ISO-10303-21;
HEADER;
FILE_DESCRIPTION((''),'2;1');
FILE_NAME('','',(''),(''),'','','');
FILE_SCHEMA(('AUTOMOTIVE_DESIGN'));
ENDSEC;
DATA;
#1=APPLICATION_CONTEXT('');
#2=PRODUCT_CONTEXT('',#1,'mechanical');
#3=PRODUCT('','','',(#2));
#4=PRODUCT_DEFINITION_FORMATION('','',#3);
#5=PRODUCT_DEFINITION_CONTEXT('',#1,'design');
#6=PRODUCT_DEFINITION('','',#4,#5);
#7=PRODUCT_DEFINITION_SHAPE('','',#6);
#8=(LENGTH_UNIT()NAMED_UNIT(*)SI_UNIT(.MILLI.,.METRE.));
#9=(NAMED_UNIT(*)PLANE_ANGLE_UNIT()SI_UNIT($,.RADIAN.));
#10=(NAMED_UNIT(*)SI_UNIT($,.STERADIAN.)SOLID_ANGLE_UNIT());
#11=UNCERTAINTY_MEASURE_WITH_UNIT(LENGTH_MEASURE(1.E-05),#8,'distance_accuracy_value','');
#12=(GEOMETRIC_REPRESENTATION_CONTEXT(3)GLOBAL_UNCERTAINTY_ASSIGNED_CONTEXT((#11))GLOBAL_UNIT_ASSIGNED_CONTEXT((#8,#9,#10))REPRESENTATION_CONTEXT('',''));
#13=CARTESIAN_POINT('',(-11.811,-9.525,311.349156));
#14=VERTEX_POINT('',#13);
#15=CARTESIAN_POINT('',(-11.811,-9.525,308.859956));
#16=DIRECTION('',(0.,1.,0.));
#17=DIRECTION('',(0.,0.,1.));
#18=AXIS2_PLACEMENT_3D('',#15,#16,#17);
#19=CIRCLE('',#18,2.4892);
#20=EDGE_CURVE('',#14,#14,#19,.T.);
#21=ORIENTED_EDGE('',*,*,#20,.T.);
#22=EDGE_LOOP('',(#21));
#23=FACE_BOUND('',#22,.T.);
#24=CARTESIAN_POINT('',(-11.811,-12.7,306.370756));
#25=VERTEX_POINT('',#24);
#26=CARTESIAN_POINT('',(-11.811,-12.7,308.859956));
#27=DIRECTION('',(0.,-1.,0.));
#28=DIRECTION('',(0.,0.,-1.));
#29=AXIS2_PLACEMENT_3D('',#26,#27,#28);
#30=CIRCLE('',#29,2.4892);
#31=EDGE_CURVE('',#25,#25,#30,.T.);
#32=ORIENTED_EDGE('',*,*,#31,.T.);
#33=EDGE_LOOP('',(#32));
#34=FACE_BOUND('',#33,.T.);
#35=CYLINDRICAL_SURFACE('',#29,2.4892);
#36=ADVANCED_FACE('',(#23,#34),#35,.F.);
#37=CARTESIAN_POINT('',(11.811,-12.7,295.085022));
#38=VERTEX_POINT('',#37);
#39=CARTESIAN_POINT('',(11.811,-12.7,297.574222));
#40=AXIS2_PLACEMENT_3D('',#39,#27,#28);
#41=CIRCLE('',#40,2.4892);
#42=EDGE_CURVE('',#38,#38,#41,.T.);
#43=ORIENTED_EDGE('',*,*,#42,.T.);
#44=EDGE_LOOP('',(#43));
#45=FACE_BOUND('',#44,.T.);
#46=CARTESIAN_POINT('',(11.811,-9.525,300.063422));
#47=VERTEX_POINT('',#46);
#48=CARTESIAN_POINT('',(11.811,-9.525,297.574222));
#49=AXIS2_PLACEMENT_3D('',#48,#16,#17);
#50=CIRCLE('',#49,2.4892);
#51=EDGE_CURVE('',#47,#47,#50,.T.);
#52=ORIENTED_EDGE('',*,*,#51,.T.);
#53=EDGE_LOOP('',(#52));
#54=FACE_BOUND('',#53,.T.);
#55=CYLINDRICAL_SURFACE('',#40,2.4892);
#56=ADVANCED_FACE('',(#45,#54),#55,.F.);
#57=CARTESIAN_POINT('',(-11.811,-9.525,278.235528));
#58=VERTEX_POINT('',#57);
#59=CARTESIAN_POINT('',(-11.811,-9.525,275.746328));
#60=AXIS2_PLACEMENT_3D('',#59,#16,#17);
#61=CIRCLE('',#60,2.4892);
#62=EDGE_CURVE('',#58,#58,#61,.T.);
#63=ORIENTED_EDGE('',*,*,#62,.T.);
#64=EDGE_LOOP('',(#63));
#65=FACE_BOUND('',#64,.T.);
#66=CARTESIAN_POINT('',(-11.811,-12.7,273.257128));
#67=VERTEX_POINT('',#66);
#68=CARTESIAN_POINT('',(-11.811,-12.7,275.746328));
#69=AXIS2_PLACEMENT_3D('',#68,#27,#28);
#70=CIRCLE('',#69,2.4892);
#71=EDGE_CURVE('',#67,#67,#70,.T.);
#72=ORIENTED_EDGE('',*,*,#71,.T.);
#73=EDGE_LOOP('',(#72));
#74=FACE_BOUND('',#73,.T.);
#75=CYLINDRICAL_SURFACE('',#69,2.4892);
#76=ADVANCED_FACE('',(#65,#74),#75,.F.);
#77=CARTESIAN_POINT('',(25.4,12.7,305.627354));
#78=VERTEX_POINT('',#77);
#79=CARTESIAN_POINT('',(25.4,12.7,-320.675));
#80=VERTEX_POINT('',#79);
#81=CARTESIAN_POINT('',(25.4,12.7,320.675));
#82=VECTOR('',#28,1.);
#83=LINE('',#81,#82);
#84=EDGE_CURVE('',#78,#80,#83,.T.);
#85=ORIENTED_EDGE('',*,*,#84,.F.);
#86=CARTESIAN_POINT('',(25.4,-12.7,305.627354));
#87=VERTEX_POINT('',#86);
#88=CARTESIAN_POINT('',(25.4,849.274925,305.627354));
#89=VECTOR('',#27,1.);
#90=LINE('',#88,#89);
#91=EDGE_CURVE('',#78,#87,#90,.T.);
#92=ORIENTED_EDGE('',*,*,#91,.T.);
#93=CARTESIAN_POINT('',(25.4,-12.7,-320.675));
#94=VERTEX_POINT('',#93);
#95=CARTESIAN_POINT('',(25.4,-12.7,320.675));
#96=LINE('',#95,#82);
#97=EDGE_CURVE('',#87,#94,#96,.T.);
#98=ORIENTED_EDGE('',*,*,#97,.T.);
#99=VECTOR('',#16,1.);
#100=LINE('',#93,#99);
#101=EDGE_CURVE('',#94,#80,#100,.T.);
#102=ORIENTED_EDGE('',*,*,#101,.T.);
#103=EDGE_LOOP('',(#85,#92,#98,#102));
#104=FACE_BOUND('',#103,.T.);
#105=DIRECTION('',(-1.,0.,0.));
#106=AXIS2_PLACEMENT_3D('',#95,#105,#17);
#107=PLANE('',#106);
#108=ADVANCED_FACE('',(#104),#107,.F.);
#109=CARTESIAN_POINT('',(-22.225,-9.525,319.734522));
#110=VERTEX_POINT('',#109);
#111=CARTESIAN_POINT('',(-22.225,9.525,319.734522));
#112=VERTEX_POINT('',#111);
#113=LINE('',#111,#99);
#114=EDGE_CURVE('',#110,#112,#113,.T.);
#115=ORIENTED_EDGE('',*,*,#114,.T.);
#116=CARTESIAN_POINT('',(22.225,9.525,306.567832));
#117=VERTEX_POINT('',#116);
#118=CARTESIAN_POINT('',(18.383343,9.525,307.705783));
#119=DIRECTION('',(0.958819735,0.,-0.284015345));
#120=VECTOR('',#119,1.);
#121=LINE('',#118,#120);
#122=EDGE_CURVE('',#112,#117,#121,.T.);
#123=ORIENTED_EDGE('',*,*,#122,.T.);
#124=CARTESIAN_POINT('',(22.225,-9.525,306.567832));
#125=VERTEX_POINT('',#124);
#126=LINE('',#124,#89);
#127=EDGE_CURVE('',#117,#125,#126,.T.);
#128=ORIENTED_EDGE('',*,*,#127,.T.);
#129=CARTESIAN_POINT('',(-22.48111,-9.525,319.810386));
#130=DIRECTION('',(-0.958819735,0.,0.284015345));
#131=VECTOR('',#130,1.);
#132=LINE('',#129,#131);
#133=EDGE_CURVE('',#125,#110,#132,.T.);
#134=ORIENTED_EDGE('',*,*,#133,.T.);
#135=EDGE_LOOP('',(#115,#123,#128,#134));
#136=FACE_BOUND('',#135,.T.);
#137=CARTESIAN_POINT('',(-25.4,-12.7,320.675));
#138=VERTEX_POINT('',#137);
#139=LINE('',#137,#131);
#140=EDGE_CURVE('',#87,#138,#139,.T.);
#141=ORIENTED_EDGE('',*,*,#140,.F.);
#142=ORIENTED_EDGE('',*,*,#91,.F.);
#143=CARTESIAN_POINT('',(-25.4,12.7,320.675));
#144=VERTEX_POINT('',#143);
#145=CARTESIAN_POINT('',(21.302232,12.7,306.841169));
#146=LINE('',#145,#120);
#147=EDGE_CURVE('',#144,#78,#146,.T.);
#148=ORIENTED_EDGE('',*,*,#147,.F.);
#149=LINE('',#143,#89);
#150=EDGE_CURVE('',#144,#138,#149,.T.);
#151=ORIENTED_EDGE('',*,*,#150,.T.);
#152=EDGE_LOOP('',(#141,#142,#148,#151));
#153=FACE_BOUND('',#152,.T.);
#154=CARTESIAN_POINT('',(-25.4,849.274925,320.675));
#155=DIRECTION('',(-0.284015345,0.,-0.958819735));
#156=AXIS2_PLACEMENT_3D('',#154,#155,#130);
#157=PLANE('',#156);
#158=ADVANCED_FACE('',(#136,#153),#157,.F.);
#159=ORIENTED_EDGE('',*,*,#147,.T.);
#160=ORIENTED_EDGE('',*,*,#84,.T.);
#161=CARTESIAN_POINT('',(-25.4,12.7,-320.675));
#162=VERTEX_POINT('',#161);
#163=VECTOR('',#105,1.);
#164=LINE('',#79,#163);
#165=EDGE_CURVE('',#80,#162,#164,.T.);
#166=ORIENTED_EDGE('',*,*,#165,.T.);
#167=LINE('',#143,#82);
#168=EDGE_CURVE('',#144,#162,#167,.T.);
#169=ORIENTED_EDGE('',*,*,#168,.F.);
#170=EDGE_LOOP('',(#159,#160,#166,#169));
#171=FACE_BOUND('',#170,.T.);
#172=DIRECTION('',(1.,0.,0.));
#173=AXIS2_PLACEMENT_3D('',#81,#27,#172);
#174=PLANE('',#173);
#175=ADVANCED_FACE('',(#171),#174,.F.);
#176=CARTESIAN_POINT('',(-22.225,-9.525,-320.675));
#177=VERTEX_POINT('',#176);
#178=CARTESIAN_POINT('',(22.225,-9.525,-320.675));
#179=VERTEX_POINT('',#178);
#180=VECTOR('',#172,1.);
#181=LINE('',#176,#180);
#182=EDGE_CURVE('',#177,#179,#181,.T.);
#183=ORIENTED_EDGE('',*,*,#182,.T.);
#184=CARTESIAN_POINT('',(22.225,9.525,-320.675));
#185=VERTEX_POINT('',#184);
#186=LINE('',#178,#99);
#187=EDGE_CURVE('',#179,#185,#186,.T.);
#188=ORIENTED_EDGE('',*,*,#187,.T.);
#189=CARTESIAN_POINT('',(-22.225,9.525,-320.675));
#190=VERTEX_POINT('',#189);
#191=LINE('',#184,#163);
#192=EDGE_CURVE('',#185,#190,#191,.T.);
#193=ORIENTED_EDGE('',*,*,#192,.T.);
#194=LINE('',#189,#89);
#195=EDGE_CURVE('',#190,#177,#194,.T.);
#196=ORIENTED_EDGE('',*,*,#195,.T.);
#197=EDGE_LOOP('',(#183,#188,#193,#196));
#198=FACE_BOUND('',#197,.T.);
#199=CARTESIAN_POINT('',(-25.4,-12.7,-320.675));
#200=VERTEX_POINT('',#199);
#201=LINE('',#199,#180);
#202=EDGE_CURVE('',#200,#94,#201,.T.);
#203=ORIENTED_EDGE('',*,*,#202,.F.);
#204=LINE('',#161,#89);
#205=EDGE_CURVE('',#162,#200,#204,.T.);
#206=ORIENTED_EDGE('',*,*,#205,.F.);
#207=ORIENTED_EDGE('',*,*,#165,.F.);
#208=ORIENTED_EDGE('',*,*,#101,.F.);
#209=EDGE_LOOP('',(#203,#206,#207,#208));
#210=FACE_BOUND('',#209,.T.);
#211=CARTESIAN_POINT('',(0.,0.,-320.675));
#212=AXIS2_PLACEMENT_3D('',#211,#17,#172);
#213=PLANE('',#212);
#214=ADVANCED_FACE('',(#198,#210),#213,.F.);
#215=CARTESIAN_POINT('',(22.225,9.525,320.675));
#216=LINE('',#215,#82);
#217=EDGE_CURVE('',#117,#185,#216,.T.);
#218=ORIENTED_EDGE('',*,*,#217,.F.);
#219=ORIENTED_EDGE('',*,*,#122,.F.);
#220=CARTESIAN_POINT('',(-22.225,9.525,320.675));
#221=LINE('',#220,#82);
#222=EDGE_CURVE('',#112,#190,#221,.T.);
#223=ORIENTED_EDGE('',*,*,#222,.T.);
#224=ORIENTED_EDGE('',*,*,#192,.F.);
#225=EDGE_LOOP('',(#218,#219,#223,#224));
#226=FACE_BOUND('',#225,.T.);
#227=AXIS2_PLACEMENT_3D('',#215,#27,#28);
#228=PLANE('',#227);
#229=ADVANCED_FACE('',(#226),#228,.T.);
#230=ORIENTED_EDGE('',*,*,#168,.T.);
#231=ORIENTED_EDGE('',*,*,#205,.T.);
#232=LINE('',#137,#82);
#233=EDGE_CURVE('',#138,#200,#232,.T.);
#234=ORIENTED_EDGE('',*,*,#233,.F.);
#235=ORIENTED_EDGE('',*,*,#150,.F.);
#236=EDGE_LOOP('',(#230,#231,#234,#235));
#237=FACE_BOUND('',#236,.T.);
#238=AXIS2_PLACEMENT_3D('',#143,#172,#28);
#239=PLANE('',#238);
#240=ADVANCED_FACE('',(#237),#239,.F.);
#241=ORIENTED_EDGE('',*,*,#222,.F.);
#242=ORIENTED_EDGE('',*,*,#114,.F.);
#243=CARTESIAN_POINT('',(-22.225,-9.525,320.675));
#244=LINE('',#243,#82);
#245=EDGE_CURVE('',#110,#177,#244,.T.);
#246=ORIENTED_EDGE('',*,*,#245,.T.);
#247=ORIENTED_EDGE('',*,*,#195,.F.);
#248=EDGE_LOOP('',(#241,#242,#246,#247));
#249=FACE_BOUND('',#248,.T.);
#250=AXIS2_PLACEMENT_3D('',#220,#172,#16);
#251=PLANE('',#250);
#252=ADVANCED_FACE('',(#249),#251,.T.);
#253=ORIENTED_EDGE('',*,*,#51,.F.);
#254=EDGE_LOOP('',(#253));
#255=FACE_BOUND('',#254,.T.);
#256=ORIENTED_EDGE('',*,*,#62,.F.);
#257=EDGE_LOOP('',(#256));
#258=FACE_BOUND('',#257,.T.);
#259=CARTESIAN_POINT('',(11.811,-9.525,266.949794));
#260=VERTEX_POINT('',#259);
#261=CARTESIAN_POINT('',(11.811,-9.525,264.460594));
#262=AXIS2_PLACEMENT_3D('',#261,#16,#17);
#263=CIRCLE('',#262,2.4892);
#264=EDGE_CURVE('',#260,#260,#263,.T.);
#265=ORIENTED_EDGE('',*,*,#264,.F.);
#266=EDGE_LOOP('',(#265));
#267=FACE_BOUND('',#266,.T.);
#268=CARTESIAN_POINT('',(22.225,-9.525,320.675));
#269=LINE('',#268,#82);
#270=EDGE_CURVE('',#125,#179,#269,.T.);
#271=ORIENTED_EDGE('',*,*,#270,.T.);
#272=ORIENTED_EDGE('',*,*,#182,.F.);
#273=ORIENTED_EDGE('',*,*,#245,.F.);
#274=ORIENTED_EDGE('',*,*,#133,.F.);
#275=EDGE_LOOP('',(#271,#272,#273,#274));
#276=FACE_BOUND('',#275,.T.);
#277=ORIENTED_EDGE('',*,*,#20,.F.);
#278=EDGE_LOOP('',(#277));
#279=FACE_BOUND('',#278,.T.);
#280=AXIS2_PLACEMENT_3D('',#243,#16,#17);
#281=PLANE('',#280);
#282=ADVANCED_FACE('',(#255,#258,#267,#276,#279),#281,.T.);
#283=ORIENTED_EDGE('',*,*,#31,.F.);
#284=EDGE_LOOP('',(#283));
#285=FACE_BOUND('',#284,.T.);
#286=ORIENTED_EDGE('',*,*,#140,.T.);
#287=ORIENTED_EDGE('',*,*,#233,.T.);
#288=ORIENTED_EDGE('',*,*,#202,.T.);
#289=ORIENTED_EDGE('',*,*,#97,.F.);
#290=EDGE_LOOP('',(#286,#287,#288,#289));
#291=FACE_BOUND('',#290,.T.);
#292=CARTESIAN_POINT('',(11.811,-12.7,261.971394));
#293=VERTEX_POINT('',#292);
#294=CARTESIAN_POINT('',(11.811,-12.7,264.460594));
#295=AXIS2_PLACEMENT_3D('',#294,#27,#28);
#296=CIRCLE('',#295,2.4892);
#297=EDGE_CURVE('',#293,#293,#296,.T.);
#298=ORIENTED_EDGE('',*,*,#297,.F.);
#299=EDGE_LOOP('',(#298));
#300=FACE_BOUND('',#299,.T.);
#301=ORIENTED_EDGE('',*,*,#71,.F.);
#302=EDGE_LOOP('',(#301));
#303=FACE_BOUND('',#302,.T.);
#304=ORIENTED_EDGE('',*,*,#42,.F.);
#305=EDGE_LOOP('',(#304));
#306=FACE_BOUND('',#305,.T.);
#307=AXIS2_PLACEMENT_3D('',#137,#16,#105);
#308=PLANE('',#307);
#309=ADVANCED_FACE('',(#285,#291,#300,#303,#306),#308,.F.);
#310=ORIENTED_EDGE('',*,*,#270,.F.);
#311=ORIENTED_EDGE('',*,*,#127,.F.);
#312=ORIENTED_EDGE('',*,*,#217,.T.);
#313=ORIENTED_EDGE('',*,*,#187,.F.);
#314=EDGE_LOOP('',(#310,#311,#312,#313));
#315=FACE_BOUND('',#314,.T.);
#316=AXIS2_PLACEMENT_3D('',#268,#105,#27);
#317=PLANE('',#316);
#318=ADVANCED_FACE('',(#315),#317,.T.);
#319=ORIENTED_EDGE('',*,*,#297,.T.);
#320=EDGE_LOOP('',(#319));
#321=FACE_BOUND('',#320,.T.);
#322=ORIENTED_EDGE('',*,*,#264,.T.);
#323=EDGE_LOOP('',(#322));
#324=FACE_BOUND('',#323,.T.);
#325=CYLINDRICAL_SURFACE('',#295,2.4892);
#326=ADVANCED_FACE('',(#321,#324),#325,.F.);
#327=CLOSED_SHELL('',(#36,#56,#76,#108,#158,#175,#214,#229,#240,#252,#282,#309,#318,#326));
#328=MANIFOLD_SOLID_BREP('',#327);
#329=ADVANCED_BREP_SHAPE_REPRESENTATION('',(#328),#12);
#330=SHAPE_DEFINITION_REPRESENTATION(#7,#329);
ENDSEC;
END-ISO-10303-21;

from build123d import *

# Parameters (mm, degrees)
BOSS_EXTRUDE1_DEPTH        = 320.675
BOSS_EXTRUDE1_DEPTH_BACK   = 320.675
SKETCH3_W                  = 50.8
SKETCH3_H                  = 25.4
SKETCH3_W_2                = 44.45
SKETCH3_H_2                = 19.05
CUT_EXTRUDE1_DEPTH         = 323.680609311
CUT_EXTRUDE1_DEPTH_BACK    = 323.680609311
F_10_CLEARANCE_HOLE1_D     = 4.9784
F_10_CLEARANCE_HOLE1_DEPTH = 5.08
F_10_CLEARANCE_HOLE1_TIP   = 1.495662253


with BuildPart() as part:
    # Sketch3 → Boss-Extrude1 (new, two sides: drawn at the far end of the back side and taken through both)
    with BuildSketch(Plane.XY.offset(-BOSS_EXTRUDE1_DEPTH_BACK)):
        Rectangle(SKETCH3_W, SKETCH3_H)
        Rectangle(SKETCH3_W_2, SKETCH3_H_2, mode=Mode.SUBTRACT)
    extrude(amount=BOSS_EXTRUDE1_DEPTH + BOSS_EXTRUDE1_DEPTH_BACK)

    # Sketch4 → Cut-Extrude1 (cut, two sides: drawn at the far end of the back side and taken through both)
    with BuildSketch(Plane(origin=(0, 12.7, 0), x_dir=(1, 0, 0), z_dir=(0, 1, 0)).offset(-CUT_EXTRUDE1_DEPTH_BACK)):
        Polygon((1322.117470931, -320.675), (25.4, -320.675), (-25.4, -320.675), (25.4, -305.627354456), (1268.718301677, 62.660305034), (3837.350959621, 420.474595165), (3890.750128875, 37.139290131), align=None)
    extrude(amount=CUT_EXTRUDE1_DEPTH + CUT_EXTRUDE1_DEPTH_BACK, mode=Mode.SUBTRACT)

    # #10 Clearance Hole1
    with Locations(Plane(origin=(0, -12.7, 0), x_dir=(-1, 0, 0), z_dir=(0, -1, 0))):
        with Locations((-11.811, -264.460593775), (11.811, -275.746327933), (-11.811, -297.574221755), (11.811, -308.859955913)):
            Hole(F_10_CLEARANCE_HOLE1_D / 2, depth=F_10_CLEARANCE_HOLE1_DEPTH)
            with Locations((0, 0, -(F_10_CLEARANCE_HOLE1_DEPTH + F_10_CLEARANCE_HOLE1_TIP / 2))):  # 118° drill point
                Cone(0, F_10_CLEARANCE_HOLE1_D / 2, F_10_CLEARANCE_HOLE1_TIP, mode=Mode.SUBTRACT)


solid = part.part
